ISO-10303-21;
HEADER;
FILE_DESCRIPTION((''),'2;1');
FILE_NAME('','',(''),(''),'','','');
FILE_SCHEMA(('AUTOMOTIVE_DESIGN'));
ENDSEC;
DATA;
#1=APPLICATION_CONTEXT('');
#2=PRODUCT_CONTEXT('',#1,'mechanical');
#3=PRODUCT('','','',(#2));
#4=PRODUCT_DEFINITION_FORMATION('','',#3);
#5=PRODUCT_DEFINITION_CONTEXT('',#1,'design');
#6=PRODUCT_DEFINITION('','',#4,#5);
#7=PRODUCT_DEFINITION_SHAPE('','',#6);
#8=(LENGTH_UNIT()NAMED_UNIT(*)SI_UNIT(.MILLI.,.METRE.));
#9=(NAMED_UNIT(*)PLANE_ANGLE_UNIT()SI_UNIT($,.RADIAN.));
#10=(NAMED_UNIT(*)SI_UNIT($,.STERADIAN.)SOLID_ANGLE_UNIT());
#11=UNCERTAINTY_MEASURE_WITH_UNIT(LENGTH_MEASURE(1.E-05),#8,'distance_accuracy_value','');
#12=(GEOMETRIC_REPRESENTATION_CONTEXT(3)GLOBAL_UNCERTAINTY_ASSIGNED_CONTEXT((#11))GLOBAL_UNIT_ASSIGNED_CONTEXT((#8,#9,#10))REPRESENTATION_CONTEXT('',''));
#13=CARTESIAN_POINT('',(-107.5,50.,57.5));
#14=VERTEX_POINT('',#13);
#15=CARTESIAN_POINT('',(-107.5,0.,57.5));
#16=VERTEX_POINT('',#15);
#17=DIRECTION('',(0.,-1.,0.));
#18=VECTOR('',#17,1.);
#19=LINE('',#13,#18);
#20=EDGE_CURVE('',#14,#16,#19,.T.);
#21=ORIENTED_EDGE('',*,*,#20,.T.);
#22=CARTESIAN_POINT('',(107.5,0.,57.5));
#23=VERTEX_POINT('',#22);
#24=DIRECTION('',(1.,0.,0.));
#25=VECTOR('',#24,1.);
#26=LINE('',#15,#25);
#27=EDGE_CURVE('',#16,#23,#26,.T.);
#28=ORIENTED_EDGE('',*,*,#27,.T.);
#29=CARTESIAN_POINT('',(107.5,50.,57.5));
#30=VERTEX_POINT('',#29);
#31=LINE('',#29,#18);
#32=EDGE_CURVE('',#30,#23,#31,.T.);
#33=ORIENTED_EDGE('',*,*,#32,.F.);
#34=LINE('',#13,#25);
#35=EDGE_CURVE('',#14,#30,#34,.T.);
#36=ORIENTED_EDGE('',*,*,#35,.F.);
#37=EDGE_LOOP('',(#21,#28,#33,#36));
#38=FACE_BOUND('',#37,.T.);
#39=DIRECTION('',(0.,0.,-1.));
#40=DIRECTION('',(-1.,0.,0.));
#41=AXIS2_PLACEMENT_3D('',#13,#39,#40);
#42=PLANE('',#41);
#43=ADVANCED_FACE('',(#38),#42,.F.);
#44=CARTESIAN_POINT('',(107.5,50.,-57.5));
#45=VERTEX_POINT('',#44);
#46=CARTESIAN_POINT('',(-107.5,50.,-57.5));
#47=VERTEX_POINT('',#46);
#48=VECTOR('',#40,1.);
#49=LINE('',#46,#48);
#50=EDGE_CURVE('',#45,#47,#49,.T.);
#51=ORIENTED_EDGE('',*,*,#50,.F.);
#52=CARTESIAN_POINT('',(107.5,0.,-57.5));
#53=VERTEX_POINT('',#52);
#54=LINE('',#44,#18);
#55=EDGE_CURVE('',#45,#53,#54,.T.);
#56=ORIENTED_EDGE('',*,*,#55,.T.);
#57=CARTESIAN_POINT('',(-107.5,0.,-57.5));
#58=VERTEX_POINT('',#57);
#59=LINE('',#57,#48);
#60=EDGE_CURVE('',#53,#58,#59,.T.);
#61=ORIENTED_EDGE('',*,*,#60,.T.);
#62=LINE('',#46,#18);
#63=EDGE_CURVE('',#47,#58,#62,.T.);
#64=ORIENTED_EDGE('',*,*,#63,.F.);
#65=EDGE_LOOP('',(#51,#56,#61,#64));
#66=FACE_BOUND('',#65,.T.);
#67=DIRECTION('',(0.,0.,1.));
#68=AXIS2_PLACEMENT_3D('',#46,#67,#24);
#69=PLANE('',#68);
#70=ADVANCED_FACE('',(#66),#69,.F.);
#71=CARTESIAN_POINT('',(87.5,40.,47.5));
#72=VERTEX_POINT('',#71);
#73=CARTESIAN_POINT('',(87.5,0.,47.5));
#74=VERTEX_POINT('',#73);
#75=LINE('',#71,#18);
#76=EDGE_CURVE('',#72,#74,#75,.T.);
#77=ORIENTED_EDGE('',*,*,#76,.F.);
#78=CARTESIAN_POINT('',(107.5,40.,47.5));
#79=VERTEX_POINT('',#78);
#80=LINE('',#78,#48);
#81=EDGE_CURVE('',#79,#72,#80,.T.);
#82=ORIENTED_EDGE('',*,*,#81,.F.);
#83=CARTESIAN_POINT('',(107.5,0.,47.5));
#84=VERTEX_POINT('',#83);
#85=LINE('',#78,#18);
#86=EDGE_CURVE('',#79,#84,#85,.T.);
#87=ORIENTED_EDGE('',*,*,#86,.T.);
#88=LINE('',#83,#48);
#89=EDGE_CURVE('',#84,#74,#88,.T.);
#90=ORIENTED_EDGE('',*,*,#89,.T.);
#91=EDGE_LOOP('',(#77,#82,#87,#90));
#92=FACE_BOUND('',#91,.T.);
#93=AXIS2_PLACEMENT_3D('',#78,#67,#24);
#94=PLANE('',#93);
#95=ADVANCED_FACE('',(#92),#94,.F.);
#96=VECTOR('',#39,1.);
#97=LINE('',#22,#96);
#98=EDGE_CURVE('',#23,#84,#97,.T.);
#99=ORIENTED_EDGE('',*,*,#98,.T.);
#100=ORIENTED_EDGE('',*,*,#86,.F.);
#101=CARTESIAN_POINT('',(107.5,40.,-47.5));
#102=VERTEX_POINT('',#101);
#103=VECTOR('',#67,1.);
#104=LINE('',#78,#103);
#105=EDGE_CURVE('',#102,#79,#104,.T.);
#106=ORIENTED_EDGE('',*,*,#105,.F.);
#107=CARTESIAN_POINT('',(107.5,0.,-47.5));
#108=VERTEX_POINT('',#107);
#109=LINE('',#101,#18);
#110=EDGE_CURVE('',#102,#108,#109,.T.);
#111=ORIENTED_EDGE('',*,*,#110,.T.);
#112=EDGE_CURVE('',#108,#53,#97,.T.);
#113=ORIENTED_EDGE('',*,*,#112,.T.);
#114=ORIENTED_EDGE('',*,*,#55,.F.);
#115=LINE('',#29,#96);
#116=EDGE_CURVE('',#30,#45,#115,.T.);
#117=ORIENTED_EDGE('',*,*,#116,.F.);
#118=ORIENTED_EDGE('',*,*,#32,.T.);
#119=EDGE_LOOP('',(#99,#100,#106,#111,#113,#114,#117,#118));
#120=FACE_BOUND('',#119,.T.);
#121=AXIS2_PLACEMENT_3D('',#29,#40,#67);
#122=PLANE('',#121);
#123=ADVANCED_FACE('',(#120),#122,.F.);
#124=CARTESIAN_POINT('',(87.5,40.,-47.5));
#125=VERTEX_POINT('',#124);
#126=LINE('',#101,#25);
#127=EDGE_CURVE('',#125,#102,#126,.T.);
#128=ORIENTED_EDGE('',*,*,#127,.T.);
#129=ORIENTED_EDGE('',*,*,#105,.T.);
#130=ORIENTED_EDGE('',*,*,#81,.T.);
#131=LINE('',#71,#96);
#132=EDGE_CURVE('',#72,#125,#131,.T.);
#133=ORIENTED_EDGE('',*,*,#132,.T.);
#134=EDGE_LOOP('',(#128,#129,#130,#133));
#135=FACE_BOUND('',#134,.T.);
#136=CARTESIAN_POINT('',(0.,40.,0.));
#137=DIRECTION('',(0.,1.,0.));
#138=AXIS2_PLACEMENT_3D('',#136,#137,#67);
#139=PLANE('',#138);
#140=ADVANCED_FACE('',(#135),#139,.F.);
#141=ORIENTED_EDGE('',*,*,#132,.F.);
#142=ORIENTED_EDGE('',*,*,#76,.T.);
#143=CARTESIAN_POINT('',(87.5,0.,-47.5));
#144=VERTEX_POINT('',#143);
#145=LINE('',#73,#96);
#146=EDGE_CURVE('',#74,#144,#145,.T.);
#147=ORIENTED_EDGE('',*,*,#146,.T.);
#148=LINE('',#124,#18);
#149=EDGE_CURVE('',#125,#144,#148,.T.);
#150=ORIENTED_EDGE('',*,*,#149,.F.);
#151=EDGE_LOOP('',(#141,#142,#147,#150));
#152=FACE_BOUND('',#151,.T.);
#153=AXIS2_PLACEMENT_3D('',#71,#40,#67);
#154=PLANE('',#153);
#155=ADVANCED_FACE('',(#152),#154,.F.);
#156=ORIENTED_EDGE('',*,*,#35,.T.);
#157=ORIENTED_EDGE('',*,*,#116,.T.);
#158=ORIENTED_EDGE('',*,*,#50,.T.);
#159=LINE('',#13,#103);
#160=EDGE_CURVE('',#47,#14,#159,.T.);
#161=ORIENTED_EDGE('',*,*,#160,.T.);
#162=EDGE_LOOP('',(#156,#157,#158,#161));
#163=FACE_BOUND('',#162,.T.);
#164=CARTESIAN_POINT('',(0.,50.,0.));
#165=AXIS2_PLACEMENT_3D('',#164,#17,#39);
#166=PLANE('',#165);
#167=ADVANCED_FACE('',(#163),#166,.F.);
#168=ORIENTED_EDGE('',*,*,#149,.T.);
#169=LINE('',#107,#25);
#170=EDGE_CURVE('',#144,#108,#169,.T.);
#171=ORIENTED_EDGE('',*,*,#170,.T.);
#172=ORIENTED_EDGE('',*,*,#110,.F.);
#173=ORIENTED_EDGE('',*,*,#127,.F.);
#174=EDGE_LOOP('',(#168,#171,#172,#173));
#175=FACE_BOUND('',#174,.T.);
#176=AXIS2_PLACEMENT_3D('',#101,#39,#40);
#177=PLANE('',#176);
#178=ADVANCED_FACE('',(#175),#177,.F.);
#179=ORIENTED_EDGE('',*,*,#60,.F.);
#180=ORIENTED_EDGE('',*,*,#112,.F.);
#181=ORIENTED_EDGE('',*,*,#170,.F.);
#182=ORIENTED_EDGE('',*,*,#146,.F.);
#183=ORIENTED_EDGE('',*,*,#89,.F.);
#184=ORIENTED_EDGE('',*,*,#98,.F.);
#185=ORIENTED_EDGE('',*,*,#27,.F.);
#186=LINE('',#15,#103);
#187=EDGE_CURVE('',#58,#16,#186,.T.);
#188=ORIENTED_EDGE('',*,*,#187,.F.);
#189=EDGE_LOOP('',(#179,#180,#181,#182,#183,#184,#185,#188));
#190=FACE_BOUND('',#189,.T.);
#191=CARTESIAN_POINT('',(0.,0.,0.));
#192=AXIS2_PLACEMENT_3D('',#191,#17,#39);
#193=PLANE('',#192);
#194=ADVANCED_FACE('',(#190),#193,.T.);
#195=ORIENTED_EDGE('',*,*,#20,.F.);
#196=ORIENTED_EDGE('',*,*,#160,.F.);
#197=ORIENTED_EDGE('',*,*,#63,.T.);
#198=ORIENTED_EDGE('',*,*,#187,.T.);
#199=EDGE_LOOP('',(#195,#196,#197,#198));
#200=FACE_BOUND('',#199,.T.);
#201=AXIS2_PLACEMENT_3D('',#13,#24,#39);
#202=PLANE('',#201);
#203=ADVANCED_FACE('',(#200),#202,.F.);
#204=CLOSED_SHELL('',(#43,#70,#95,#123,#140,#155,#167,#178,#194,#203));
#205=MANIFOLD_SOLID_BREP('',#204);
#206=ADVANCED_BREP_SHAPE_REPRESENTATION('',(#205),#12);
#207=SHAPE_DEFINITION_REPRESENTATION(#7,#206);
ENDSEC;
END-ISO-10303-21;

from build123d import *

# Parameters (mm, degrees)
SKETCH_1_W          = 215
SKETCH_1_H          = 115
EXTRUDE_1_DEPTH     = 50
SKETCH_2_W          = 20
SKETCH_2_H          = 95
CUT_EXTRUDE_1_DEPTH = 40


with BuildPart() as part:
    # 草图1 → 凸台-拉伸1 (new body)
    with BuildSketch(Plane(origin=(0, 0, 0), x_dir=(1, 0, 0), z_dir=(0, 1, 0))):
        Rectangle(SKETCH_1_W, SKETCH_1_H)
    extrude(amount=EXTRUDE_1_DEPTH)

    # 草图2 → 切除-拉伸1 (cut)
    with BuildSketch(Plane.XZ):
        with Locations((97.5, 0)):
            Rectangle(SKETCH_2_W, SKETCH_2_H)
    extrude(amount=-CUT_EXTRUDE_1_DEPTH, mode=Mode.SUBTRACT)


solid = part.part
